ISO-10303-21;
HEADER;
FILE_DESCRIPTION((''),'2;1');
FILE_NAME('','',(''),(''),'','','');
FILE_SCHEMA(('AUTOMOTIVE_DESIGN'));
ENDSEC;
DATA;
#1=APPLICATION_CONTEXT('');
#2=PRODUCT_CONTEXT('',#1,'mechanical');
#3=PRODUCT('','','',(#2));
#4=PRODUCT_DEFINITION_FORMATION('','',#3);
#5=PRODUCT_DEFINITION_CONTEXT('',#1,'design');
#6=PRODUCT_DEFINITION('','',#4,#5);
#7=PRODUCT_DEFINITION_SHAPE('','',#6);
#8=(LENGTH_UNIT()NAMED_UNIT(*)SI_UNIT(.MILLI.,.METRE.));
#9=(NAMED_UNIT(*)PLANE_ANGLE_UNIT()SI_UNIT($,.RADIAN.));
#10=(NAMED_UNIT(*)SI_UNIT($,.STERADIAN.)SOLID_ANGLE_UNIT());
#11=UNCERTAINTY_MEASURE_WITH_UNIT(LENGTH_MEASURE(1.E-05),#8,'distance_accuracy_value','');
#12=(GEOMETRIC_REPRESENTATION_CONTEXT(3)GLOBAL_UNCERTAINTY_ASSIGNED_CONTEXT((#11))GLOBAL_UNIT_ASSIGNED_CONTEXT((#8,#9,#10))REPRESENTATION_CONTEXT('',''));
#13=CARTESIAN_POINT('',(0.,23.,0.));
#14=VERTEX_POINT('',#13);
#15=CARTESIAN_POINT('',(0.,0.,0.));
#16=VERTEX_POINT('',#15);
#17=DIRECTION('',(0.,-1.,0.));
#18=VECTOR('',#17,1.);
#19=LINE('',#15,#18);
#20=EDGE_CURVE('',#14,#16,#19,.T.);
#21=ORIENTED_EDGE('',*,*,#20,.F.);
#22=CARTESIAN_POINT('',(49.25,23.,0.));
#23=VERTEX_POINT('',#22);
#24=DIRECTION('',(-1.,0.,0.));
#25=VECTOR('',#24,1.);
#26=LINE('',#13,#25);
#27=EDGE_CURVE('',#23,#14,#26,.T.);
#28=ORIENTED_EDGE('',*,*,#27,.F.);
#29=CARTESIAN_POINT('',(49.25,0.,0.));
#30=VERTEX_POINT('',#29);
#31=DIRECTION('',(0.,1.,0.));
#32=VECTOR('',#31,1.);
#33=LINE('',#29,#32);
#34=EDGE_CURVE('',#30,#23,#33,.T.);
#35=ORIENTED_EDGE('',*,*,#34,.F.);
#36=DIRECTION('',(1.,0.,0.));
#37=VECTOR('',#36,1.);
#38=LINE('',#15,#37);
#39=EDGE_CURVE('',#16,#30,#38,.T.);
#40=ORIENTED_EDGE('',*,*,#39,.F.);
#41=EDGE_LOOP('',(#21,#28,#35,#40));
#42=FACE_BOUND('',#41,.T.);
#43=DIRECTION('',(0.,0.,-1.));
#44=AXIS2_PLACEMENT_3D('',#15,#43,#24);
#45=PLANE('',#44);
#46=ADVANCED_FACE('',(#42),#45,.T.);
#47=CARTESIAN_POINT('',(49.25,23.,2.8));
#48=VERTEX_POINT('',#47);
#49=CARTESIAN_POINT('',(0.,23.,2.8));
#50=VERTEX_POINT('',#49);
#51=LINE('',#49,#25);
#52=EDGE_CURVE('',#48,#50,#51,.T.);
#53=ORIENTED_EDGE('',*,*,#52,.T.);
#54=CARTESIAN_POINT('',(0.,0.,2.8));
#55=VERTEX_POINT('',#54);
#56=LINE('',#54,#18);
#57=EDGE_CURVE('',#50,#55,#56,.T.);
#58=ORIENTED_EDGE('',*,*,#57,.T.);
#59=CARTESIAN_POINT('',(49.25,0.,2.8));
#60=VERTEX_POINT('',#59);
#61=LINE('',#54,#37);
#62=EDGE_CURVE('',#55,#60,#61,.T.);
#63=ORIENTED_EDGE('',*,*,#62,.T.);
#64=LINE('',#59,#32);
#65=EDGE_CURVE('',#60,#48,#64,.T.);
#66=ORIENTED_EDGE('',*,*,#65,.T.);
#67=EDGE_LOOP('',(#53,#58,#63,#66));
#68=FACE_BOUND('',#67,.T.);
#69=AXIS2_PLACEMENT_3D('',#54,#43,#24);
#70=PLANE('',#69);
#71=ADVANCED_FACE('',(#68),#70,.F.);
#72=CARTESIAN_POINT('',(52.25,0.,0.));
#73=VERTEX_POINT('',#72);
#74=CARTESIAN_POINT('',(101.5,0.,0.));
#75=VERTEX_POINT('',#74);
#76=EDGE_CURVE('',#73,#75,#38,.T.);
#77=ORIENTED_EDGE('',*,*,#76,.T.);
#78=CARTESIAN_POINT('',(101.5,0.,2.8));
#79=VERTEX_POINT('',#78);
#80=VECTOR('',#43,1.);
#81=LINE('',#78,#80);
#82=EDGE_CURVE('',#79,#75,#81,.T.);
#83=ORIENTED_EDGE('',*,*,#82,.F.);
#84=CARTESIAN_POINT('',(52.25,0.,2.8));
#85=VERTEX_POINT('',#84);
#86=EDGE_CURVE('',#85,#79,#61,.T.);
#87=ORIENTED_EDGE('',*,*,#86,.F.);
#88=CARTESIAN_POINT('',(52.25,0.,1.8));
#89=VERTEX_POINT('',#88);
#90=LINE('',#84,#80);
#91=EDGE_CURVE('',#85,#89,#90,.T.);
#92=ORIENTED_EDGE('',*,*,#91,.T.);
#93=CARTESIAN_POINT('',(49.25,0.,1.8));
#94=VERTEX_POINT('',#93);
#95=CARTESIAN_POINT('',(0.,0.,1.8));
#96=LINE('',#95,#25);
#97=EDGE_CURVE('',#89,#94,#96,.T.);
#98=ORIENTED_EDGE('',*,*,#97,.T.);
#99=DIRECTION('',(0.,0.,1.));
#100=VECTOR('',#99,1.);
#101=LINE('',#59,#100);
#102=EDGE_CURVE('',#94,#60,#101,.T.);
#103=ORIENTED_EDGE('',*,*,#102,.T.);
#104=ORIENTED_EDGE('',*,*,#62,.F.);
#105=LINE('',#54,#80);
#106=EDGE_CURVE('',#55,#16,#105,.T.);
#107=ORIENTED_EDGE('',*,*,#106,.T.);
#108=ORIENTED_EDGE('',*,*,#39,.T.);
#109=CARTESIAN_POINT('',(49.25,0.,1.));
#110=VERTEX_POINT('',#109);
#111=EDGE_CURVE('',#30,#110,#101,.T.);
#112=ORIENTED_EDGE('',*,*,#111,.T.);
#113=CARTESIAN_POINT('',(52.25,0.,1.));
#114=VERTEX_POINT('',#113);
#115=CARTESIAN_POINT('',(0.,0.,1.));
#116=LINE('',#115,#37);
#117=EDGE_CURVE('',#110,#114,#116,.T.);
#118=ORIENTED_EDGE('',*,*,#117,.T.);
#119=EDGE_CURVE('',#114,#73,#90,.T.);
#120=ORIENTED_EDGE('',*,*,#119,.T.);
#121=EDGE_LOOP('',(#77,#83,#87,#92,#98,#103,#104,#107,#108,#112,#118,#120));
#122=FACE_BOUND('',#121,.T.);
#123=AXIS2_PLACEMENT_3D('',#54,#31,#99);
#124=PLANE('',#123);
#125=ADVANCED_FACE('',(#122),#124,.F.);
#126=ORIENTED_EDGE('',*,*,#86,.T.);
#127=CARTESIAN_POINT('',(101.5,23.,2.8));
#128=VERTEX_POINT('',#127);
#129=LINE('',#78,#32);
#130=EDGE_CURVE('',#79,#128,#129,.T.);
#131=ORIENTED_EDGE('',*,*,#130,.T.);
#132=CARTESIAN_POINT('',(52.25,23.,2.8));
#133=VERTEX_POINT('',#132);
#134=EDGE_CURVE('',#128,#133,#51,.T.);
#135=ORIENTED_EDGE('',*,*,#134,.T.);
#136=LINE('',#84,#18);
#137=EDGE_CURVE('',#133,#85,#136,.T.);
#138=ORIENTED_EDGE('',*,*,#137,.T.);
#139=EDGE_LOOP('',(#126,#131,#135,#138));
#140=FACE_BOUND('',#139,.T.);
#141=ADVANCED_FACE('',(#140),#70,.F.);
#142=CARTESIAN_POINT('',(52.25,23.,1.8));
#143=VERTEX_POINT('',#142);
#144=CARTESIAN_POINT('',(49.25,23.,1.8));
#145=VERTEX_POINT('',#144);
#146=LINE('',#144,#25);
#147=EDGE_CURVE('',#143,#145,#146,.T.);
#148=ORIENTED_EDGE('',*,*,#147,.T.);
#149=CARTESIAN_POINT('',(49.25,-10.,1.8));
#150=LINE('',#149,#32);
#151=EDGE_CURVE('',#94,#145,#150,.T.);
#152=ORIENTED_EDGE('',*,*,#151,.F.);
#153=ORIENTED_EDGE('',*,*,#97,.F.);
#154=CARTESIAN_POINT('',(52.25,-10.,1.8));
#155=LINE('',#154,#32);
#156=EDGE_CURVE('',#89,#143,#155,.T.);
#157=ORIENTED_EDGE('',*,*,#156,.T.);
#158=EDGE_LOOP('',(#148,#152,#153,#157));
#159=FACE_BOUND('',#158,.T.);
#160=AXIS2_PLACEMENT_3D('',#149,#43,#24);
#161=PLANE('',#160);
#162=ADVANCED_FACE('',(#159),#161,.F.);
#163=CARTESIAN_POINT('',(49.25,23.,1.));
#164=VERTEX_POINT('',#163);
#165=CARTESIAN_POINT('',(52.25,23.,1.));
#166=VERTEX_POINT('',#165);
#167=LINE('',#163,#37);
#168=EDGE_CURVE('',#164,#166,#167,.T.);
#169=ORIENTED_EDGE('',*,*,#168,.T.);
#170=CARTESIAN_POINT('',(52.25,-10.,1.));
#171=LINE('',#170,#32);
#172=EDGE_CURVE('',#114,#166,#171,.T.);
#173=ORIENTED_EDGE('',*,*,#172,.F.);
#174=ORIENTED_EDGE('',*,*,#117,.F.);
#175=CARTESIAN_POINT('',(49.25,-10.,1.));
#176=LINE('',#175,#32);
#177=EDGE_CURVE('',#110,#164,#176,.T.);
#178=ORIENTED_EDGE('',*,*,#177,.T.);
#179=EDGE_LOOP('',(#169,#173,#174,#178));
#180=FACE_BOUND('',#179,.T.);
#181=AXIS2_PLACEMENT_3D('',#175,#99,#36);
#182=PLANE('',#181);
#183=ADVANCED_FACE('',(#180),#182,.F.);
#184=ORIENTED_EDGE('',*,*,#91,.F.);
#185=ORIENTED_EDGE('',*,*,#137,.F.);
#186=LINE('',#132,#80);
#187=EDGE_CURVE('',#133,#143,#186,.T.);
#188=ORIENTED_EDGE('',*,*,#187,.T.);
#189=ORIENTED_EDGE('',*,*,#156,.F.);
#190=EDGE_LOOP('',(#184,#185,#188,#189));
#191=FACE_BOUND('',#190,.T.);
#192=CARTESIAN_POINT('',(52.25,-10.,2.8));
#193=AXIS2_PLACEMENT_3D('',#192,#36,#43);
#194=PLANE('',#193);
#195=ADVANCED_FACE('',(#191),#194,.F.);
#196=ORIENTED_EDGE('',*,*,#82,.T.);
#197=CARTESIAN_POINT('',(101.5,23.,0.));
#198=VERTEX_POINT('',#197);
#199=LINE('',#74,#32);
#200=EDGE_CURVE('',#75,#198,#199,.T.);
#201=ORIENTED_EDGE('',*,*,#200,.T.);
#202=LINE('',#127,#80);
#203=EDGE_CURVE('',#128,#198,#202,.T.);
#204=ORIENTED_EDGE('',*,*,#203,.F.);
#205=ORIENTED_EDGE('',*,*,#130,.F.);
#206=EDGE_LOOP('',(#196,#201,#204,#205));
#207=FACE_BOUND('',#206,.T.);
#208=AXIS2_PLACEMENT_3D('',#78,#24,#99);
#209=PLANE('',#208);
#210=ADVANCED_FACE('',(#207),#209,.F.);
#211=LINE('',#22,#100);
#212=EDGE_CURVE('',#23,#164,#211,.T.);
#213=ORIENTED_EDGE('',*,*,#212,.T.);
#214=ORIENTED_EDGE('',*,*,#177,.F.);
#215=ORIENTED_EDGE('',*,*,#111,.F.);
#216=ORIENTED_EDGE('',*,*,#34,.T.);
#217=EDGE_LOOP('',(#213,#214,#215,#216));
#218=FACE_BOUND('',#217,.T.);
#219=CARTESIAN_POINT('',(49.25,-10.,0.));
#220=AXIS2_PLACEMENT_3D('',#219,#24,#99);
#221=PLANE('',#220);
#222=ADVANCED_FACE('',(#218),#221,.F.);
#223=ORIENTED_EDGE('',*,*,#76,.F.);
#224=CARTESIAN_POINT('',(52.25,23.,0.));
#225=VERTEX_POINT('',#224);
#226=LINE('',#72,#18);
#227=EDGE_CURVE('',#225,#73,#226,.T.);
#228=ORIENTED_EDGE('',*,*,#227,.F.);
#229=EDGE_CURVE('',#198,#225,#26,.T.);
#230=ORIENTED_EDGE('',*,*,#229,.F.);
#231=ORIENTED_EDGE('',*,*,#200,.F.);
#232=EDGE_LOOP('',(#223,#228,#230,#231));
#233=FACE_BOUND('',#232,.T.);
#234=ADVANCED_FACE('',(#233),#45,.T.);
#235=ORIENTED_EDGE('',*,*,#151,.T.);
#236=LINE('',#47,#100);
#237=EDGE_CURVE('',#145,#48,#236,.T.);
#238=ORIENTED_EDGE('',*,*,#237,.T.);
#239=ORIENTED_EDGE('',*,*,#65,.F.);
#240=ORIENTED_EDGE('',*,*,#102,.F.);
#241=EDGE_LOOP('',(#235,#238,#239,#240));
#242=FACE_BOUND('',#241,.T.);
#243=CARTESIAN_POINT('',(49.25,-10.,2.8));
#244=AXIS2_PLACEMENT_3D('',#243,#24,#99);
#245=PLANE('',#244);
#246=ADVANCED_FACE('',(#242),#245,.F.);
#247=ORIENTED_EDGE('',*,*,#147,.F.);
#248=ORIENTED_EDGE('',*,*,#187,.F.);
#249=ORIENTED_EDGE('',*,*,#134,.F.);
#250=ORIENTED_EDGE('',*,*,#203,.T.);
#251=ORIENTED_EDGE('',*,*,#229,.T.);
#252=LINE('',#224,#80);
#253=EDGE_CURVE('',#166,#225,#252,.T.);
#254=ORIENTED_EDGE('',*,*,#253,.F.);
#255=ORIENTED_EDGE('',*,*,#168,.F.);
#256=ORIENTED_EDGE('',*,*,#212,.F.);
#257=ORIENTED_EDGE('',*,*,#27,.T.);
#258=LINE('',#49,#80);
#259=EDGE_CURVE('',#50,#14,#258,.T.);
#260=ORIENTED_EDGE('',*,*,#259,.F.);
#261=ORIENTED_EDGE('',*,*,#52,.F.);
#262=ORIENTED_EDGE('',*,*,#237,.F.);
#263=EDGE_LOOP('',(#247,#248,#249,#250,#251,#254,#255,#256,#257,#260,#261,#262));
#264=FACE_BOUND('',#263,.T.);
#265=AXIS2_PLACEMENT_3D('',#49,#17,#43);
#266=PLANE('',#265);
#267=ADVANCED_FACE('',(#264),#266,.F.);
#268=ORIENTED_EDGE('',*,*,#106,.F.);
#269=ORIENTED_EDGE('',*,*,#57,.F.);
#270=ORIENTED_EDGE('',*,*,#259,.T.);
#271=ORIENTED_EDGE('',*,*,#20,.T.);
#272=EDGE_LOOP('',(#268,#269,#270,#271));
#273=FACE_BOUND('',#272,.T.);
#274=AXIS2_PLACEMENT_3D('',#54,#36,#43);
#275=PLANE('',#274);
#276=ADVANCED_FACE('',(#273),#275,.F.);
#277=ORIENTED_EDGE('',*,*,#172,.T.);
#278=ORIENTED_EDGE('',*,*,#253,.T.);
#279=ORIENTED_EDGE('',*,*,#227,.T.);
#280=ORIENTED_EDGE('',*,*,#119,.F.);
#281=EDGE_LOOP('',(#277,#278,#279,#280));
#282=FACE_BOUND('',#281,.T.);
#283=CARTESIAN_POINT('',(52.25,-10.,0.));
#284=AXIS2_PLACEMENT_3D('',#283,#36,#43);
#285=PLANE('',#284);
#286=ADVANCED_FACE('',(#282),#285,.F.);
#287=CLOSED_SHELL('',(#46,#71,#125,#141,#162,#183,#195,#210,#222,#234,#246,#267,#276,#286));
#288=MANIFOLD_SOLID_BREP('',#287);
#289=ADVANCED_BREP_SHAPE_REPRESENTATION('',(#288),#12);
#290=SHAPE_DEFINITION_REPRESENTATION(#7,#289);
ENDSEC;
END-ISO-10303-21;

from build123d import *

# Parameters (mm, degrees)
SKETCH1_W           = 101.5
SKETCH1_H           = 23
BOSS_EXTRUDE1_DEPTH = 2.8
SKETCH2_W           = 3
SKETCH2_H           = 1
CUT_EXTRUDE1_DEPTH  = 33
SKETCH3_W           = 3
SKETCH3_H           = 1
CUT_EXTRUDE2_DEPTH  = 33


with BuildPart() as part:
    # Sketch1 → Boss-Extrude1 (new body)
    with BuildSketch(Plane.XY):
        with Locations((50.75, 11.5)):
            Rectangle(SKETCH1_W, SKETCH1_H)
    extrude(amount=BOSS_EXTRUDE1_DEPTH)

    # Sketch2 → Cut-Extrude1 (cut)
    with BuildSketch(Plane(origin=(0, 23, 0), x_dir=(1, 0, 0), z_dir=(0, 1, 0))):
        with Locations((50.75, -0.5)):
            Rectangle(SKETCH2_W, SKETCH2_H)
    extrude(amount=-CUT_EXTRUDE1_DEPTH, mode=Mode.SUBTRACT)

    # Sketch3 → Cut-Extrude2 (cut)
    with BuildSketch(Plane(origin=(0, 23, 0), x_dir=(1, 0, 0), z_dir=(0, 1, 0))):
        with Locations((50.75, -2.3)):
            Rectangle(SKETCH3_W, SKETCH3_H)
    extrude(amount=-CUT_EXTRUDE2_DEPTH, mode=Mode.SUBTRACT)


solid = part.part
